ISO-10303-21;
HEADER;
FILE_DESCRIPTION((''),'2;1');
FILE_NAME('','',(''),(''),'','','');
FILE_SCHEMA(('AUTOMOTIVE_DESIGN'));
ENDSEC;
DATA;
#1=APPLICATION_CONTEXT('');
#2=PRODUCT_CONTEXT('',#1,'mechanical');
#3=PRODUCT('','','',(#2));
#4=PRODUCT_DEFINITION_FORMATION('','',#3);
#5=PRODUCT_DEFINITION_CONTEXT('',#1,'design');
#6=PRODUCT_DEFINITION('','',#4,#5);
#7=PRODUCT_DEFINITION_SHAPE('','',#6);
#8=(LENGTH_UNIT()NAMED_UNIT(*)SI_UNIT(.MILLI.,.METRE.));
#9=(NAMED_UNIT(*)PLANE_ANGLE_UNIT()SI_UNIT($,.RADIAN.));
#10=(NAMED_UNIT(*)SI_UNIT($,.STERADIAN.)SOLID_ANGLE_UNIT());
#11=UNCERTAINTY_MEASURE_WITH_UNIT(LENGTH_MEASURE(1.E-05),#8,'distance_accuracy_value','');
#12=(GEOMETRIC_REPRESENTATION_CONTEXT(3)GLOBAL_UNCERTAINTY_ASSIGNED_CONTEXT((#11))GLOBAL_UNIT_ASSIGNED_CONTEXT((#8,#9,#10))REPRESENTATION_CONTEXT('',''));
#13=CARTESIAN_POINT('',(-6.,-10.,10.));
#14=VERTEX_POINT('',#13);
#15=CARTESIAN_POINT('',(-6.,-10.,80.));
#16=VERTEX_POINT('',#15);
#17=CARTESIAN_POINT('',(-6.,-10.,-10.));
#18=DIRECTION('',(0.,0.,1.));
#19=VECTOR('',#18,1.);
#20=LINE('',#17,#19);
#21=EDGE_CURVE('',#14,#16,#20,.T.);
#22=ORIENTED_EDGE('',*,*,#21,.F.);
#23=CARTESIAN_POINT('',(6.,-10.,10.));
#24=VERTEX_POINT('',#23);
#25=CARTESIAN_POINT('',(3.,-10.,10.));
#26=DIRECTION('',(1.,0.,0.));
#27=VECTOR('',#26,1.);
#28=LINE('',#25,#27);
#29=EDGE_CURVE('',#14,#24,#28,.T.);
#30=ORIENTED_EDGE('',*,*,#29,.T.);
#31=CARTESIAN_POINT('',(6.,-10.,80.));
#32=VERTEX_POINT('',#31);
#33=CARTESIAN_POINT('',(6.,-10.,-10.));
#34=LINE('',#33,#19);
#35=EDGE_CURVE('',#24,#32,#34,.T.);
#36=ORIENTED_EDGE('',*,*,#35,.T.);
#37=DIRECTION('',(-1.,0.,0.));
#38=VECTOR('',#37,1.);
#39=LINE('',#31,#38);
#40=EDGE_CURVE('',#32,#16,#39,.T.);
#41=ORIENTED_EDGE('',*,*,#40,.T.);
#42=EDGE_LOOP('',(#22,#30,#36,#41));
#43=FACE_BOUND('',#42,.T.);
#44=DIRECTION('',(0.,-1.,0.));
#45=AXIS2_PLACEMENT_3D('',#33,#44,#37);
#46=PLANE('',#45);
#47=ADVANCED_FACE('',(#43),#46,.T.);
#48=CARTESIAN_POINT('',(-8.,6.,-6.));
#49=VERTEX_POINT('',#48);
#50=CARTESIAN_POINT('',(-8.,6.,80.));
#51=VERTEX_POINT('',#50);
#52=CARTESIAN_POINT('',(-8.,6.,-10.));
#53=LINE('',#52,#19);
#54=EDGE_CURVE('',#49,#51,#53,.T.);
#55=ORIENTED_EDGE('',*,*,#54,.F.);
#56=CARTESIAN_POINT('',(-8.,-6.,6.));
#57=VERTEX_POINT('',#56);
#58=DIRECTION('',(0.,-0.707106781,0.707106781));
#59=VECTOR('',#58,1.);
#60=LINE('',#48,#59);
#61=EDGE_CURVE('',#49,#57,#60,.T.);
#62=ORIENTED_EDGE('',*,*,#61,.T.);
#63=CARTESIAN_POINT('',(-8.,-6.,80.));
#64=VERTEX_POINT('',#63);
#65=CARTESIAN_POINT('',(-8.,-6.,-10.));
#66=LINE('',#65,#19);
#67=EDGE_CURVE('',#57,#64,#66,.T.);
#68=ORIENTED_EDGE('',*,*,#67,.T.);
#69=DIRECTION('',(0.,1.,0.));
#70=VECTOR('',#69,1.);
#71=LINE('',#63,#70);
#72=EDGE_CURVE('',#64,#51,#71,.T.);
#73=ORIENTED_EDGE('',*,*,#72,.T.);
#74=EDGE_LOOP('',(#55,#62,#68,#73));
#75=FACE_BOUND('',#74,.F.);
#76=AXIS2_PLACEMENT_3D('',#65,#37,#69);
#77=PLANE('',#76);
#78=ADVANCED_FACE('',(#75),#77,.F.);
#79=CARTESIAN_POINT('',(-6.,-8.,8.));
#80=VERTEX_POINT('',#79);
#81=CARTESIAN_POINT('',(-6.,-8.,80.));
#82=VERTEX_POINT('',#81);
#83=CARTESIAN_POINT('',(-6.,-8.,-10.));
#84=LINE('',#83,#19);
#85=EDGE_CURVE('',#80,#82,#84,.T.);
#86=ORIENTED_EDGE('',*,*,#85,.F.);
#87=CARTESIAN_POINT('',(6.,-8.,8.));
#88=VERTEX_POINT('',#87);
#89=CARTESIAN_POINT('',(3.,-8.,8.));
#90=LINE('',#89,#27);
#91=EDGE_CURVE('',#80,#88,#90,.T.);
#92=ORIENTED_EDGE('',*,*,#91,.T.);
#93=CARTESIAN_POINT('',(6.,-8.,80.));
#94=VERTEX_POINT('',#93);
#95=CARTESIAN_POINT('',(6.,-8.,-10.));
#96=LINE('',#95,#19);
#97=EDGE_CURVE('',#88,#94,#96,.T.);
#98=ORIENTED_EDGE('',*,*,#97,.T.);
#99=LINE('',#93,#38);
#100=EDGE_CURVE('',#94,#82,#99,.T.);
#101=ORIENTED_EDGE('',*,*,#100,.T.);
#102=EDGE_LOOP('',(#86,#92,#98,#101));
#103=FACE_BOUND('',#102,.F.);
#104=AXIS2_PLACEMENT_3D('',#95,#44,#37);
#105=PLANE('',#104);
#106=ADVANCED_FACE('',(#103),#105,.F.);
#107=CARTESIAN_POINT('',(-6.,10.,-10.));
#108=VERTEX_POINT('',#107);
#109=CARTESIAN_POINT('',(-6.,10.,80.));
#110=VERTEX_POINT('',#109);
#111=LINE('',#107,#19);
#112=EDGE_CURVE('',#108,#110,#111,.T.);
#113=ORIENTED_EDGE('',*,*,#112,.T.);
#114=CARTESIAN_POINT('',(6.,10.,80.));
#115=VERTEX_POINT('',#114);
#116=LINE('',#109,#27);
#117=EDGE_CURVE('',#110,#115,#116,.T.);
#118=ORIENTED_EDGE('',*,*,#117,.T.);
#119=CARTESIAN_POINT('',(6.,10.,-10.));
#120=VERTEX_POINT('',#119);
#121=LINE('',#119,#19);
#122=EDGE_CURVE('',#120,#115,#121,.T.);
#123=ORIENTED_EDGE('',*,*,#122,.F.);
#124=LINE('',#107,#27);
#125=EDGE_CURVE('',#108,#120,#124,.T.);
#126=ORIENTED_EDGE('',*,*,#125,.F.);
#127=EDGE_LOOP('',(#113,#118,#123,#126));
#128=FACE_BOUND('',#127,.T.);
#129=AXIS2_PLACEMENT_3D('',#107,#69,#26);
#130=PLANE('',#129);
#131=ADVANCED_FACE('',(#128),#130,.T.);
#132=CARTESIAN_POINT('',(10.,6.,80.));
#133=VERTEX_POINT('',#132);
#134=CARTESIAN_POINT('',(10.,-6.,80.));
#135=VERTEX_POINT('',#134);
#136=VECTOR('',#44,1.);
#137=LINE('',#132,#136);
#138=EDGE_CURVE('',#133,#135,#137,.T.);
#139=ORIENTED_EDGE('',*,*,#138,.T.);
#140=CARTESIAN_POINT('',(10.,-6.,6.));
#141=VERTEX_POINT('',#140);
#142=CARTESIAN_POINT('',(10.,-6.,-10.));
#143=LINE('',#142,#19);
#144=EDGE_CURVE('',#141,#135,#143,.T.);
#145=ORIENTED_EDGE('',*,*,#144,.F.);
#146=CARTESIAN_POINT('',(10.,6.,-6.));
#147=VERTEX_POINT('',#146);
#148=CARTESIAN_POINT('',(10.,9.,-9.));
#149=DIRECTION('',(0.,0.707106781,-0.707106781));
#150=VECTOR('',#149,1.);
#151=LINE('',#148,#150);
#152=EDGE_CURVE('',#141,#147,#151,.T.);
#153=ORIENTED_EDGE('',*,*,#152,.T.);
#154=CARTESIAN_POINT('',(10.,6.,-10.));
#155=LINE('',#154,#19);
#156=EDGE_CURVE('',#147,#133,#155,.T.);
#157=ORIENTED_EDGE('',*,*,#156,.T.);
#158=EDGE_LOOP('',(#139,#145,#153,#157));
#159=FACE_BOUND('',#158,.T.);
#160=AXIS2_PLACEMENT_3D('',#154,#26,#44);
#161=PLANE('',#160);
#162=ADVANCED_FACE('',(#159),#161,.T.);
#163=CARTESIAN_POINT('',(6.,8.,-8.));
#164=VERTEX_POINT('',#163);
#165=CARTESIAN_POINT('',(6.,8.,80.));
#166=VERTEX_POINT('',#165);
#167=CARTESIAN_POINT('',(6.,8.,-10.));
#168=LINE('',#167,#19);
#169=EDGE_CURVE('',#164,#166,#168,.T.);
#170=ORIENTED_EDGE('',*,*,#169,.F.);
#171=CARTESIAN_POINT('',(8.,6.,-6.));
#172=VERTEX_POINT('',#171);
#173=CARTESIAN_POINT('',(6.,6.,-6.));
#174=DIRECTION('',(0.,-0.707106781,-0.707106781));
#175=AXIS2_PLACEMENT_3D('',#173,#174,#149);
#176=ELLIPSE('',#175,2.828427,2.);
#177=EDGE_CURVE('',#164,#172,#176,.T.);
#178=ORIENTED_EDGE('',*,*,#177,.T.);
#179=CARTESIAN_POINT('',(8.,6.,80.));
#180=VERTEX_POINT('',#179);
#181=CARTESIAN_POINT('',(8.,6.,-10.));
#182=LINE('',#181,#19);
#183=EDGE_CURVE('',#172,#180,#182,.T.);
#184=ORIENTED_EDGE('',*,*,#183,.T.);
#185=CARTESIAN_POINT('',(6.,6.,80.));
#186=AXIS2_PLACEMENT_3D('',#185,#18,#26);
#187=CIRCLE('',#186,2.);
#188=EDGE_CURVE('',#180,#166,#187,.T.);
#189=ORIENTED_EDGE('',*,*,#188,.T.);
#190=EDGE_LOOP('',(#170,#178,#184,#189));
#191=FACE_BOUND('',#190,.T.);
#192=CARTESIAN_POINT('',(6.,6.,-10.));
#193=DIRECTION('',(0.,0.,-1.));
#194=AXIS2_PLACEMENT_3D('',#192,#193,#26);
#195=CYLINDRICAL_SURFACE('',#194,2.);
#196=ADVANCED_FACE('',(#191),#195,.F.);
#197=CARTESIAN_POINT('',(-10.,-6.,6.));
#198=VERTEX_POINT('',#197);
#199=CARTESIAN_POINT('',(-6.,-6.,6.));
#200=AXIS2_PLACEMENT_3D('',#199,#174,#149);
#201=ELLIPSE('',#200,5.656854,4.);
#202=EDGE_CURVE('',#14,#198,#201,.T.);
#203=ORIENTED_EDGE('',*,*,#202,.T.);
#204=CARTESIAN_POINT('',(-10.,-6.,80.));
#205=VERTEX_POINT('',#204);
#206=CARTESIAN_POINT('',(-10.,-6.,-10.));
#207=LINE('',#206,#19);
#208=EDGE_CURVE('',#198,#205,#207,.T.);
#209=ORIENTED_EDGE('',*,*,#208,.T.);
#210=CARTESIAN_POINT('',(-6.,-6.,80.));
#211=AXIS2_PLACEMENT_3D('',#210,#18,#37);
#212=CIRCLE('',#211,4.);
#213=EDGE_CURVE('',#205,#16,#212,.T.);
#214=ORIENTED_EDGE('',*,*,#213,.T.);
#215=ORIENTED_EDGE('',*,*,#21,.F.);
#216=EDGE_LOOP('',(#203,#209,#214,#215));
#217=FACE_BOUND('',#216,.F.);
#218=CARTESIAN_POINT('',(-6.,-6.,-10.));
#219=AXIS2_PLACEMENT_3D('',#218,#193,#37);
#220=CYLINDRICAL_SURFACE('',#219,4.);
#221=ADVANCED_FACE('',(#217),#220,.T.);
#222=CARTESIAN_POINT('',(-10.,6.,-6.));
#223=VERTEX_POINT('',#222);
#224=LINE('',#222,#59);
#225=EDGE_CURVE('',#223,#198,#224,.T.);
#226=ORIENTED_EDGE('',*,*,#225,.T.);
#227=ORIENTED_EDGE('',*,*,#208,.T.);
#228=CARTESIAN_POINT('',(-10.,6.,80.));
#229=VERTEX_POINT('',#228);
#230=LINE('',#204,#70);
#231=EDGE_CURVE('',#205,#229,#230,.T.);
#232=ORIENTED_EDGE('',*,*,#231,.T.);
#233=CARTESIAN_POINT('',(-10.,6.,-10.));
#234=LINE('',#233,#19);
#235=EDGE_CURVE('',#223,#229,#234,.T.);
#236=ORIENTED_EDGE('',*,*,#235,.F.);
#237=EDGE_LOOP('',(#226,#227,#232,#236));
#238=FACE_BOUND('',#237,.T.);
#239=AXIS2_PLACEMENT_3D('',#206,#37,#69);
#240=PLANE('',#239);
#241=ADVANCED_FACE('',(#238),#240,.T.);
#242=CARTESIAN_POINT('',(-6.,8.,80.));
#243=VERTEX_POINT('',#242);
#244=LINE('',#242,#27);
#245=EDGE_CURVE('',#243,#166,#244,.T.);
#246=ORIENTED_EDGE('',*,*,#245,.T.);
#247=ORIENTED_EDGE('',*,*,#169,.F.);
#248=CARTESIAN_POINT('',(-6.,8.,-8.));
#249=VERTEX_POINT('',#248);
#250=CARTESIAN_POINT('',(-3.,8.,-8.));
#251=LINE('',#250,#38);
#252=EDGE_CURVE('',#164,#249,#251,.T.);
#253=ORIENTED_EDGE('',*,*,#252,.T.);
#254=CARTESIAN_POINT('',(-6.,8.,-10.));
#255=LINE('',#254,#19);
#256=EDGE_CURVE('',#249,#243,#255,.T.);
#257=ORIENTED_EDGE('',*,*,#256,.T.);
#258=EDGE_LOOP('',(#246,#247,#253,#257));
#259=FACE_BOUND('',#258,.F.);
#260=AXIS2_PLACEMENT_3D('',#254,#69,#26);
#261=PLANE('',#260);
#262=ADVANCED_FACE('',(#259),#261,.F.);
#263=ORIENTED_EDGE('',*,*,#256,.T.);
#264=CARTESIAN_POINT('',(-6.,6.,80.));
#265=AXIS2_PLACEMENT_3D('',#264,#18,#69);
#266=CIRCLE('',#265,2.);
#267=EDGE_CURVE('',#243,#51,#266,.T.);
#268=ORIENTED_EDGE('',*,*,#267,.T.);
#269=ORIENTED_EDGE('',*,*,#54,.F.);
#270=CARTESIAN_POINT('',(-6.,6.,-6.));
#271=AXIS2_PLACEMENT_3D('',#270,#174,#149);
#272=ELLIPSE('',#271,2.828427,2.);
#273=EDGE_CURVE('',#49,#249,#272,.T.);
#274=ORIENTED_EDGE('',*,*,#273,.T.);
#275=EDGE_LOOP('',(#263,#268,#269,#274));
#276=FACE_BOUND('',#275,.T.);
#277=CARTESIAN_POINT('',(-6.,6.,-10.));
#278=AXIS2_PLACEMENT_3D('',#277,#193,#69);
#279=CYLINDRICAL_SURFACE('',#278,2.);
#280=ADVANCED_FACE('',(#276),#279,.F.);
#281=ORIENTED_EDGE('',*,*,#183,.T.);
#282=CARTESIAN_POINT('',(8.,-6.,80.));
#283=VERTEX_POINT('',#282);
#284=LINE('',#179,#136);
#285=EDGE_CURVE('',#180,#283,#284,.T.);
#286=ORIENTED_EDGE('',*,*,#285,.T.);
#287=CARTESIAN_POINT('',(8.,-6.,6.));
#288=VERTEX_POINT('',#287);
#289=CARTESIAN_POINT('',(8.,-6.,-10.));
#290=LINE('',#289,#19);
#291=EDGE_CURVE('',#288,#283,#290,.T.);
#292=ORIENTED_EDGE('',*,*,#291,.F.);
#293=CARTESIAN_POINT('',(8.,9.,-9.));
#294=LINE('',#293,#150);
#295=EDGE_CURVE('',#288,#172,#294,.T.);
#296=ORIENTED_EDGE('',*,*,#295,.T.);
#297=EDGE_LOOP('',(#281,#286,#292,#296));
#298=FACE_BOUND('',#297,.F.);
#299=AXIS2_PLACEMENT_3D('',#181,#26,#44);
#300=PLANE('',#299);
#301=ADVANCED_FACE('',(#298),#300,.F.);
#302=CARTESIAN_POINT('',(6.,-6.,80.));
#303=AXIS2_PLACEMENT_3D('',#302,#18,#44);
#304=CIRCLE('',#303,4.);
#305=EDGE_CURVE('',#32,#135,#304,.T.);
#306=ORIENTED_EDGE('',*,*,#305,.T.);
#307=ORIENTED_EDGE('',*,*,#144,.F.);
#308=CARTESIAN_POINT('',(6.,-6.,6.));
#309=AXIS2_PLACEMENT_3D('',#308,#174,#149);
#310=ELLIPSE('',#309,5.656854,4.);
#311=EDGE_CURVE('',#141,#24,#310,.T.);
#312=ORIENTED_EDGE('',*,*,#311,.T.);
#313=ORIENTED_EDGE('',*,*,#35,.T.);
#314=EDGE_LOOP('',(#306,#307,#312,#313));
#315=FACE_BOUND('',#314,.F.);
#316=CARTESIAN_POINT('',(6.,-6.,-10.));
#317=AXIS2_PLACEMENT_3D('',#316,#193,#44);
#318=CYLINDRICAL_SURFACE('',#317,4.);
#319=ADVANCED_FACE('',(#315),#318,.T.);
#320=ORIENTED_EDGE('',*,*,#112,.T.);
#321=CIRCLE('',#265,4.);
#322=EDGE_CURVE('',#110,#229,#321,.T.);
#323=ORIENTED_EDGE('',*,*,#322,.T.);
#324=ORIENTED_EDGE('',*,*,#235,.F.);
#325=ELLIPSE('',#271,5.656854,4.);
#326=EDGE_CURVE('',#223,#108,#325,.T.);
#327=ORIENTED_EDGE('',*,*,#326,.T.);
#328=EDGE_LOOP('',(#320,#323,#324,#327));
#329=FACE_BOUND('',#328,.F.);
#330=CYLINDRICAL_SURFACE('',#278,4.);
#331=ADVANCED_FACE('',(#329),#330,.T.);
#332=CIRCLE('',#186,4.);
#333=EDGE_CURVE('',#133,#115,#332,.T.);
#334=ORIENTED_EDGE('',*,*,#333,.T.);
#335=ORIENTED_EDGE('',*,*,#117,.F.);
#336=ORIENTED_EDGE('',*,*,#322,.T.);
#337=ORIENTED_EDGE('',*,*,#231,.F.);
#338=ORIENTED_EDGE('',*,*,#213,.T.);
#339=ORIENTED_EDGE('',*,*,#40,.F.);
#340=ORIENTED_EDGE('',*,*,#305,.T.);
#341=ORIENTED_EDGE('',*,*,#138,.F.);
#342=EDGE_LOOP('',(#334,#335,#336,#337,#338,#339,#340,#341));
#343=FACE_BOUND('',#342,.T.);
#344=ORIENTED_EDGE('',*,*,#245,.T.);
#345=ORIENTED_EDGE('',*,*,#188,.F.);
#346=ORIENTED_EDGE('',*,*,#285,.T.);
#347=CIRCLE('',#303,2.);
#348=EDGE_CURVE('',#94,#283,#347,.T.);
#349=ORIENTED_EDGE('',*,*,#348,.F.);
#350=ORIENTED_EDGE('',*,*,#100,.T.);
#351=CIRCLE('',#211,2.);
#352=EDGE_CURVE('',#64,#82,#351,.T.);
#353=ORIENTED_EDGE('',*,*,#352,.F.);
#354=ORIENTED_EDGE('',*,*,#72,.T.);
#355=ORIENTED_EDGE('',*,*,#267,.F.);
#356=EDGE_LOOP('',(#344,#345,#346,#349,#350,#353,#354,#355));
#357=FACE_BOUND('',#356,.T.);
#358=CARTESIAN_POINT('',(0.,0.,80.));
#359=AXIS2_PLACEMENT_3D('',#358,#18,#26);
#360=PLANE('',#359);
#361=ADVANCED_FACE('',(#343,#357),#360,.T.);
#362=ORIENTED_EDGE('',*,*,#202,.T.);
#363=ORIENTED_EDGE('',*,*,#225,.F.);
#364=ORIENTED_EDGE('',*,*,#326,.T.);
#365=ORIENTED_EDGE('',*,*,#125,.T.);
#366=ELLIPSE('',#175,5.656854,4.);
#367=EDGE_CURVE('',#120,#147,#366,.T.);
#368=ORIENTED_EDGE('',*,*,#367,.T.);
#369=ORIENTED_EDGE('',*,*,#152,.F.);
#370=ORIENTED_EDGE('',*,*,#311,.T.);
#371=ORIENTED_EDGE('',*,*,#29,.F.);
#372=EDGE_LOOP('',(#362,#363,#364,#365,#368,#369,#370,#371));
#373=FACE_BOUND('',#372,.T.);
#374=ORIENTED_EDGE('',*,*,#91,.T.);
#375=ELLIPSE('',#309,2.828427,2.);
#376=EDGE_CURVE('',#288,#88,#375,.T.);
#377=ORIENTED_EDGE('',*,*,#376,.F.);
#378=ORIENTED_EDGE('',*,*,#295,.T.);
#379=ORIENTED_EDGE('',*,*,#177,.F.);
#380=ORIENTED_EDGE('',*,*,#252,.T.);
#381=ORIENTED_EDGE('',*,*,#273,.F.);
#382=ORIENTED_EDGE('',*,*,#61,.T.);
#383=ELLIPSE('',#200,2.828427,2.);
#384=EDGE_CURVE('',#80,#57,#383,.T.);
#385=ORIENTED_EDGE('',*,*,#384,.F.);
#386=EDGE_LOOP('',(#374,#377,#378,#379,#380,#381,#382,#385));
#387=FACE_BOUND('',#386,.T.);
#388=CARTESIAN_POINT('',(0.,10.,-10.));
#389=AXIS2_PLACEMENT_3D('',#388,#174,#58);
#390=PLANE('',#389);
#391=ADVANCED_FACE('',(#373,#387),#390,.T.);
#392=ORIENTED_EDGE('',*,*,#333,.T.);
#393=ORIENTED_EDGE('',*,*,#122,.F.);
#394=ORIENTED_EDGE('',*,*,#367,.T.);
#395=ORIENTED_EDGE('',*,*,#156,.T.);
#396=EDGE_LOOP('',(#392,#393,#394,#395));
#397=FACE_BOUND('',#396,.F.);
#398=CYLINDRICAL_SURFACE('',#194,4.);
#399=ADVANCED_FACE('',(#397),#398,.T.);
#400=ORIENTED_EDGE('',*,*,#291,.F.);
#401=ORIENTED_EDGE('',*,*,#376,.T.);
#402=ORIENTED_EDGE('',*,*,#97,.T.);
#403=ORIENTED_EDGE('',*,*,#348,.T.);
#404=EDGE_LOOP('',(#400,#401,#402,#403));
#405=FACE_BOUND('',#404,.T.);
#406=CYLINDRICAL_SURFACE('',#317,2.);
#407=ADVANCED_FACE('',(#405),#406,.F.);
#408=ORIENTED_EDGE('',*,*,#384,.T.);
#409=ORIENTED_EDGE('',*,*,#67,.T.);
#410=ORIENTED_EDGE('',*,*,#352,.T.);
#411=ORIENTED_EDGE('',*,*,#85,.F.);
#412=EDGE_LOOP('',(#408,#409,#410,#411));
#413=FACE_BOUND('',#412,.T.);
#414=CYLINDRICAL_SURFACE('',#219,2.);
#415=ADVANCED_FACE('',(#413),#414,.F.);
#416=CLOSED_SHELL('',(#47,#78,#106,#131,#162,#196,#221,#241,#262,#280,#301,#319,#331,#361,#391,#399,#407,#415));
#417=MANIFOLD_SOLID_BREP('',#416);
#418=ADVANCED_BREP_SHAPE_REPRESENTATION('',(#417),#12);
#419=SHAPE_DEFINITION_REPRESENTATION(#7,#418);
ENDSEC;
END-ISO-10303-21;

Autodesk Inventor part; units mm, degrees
ref_plane "Start Plane" through (0, 0, -10) normal (0, 0, 1) x (1, 0, 0)
ref_plane "End Plane" through (0, 0, 80) normal (0, 0, 1) x (1, 0, 0)
sketch "Sketch" plane through (0, 0, 0) normal (0, 0, 1) x (1, 0, 0)
  line L0 (-10, -6) -> (-10, 6)
  line L1 (-6, 10) -> (6, 10)
  line L2 (10, 6) -> (10, -6)
  line L3 (6, -10) -> (-6, -10)
  arc A0 (-10, -6) -> (-6, -10) centre (-6, -6) ccw
  arc A1 (10, 6) -> (6, 10) centre (6, 6) ccw
  arc A2 (-6, 10) -> (-10, 6) centre (-6, 6) ccw
  arc A3 (6, -10) -> (10, -6) centre (6, -6) ccw
  arc A4 (-6, 8) -> (-8, 6) centre (-6, 6) ccw
  line L4 (-6, 8) -> (6, 8)
  arc A5 (8, 6) -> (6, 8) centre (6, 6) ccw
  line L5 (8, 6) -> (8, -6)
  arc A6 (6, -8) -> (8, -6) centre (6, -6) ccw
  line L6 (6, -8) -> (-6, -8)
  arc A7 (-8, -6) -> (-6, -8) centre (-6, -6) ccw
  line L7 (-8, -6) -> (-8, 6)
  line L8 (0, 15.1598) -> (0, -15.1598) construction
  line L9 (-15.1598, 0) -> (15.1598, 0) construction
  dimension "d7" = 4
  dimension "d9" = 20
  dimension "d11" = 20
  dimension "d12" = 2
  dimension "d15" = 10
  dimension "d16" = 10
extrude "Body" add sketch "Sketch" along normal up to surface (90 mm away) from surface at -10
sketch "Sketch3" plane through (0, 0, 0) normal (0, 0, 1) x (1, 0, 0)
  line L0 (0, 0) -> (10, 0)
ref_plane "Work Plane3" through (0, 0, 0) normal (0, -1, 0) x (1, 0, 0)
ref_plane "Work Plane4" through (0, 10, -10) normal (0, -0.7071, -0.7071) x (1, 0, 0)
split "Split1" plane through (0, 10, -10) removes the side toward (0, -0.7071, -0.7071)
sketch "Sketch4" plane through (0, 0, 0) normal (0, -1, 0) x (1, 0, 0)
  line L0 (-2, -10) -> (12, -10) projected
  line L1 (-2, 80) -> (12, 80) projected
  dimension "d18" = 90
equation "\"d7\" = G_IR"
equation "\"d9\" = G_W"
equation "\"d11\" = G_H"
equation "\"d12\" = G_T"
equation "\"d15\" = 0.5 * d9"
equation "\"d16\" = 0.5 * d11"
equation "\"d3\" = G_L"
equation "\"G_W\" = 20"
equation "\"G_H\" = 20"
equation "\"G_T\" = 2"
equation "\"G_IR\" = 4"
equation "\"G_L\" = d18"
equation "\"G_OFFSET_END\" = 0"
properties part number "ISO 10799-2 - 20x20x2 - 90" material "Steel"
